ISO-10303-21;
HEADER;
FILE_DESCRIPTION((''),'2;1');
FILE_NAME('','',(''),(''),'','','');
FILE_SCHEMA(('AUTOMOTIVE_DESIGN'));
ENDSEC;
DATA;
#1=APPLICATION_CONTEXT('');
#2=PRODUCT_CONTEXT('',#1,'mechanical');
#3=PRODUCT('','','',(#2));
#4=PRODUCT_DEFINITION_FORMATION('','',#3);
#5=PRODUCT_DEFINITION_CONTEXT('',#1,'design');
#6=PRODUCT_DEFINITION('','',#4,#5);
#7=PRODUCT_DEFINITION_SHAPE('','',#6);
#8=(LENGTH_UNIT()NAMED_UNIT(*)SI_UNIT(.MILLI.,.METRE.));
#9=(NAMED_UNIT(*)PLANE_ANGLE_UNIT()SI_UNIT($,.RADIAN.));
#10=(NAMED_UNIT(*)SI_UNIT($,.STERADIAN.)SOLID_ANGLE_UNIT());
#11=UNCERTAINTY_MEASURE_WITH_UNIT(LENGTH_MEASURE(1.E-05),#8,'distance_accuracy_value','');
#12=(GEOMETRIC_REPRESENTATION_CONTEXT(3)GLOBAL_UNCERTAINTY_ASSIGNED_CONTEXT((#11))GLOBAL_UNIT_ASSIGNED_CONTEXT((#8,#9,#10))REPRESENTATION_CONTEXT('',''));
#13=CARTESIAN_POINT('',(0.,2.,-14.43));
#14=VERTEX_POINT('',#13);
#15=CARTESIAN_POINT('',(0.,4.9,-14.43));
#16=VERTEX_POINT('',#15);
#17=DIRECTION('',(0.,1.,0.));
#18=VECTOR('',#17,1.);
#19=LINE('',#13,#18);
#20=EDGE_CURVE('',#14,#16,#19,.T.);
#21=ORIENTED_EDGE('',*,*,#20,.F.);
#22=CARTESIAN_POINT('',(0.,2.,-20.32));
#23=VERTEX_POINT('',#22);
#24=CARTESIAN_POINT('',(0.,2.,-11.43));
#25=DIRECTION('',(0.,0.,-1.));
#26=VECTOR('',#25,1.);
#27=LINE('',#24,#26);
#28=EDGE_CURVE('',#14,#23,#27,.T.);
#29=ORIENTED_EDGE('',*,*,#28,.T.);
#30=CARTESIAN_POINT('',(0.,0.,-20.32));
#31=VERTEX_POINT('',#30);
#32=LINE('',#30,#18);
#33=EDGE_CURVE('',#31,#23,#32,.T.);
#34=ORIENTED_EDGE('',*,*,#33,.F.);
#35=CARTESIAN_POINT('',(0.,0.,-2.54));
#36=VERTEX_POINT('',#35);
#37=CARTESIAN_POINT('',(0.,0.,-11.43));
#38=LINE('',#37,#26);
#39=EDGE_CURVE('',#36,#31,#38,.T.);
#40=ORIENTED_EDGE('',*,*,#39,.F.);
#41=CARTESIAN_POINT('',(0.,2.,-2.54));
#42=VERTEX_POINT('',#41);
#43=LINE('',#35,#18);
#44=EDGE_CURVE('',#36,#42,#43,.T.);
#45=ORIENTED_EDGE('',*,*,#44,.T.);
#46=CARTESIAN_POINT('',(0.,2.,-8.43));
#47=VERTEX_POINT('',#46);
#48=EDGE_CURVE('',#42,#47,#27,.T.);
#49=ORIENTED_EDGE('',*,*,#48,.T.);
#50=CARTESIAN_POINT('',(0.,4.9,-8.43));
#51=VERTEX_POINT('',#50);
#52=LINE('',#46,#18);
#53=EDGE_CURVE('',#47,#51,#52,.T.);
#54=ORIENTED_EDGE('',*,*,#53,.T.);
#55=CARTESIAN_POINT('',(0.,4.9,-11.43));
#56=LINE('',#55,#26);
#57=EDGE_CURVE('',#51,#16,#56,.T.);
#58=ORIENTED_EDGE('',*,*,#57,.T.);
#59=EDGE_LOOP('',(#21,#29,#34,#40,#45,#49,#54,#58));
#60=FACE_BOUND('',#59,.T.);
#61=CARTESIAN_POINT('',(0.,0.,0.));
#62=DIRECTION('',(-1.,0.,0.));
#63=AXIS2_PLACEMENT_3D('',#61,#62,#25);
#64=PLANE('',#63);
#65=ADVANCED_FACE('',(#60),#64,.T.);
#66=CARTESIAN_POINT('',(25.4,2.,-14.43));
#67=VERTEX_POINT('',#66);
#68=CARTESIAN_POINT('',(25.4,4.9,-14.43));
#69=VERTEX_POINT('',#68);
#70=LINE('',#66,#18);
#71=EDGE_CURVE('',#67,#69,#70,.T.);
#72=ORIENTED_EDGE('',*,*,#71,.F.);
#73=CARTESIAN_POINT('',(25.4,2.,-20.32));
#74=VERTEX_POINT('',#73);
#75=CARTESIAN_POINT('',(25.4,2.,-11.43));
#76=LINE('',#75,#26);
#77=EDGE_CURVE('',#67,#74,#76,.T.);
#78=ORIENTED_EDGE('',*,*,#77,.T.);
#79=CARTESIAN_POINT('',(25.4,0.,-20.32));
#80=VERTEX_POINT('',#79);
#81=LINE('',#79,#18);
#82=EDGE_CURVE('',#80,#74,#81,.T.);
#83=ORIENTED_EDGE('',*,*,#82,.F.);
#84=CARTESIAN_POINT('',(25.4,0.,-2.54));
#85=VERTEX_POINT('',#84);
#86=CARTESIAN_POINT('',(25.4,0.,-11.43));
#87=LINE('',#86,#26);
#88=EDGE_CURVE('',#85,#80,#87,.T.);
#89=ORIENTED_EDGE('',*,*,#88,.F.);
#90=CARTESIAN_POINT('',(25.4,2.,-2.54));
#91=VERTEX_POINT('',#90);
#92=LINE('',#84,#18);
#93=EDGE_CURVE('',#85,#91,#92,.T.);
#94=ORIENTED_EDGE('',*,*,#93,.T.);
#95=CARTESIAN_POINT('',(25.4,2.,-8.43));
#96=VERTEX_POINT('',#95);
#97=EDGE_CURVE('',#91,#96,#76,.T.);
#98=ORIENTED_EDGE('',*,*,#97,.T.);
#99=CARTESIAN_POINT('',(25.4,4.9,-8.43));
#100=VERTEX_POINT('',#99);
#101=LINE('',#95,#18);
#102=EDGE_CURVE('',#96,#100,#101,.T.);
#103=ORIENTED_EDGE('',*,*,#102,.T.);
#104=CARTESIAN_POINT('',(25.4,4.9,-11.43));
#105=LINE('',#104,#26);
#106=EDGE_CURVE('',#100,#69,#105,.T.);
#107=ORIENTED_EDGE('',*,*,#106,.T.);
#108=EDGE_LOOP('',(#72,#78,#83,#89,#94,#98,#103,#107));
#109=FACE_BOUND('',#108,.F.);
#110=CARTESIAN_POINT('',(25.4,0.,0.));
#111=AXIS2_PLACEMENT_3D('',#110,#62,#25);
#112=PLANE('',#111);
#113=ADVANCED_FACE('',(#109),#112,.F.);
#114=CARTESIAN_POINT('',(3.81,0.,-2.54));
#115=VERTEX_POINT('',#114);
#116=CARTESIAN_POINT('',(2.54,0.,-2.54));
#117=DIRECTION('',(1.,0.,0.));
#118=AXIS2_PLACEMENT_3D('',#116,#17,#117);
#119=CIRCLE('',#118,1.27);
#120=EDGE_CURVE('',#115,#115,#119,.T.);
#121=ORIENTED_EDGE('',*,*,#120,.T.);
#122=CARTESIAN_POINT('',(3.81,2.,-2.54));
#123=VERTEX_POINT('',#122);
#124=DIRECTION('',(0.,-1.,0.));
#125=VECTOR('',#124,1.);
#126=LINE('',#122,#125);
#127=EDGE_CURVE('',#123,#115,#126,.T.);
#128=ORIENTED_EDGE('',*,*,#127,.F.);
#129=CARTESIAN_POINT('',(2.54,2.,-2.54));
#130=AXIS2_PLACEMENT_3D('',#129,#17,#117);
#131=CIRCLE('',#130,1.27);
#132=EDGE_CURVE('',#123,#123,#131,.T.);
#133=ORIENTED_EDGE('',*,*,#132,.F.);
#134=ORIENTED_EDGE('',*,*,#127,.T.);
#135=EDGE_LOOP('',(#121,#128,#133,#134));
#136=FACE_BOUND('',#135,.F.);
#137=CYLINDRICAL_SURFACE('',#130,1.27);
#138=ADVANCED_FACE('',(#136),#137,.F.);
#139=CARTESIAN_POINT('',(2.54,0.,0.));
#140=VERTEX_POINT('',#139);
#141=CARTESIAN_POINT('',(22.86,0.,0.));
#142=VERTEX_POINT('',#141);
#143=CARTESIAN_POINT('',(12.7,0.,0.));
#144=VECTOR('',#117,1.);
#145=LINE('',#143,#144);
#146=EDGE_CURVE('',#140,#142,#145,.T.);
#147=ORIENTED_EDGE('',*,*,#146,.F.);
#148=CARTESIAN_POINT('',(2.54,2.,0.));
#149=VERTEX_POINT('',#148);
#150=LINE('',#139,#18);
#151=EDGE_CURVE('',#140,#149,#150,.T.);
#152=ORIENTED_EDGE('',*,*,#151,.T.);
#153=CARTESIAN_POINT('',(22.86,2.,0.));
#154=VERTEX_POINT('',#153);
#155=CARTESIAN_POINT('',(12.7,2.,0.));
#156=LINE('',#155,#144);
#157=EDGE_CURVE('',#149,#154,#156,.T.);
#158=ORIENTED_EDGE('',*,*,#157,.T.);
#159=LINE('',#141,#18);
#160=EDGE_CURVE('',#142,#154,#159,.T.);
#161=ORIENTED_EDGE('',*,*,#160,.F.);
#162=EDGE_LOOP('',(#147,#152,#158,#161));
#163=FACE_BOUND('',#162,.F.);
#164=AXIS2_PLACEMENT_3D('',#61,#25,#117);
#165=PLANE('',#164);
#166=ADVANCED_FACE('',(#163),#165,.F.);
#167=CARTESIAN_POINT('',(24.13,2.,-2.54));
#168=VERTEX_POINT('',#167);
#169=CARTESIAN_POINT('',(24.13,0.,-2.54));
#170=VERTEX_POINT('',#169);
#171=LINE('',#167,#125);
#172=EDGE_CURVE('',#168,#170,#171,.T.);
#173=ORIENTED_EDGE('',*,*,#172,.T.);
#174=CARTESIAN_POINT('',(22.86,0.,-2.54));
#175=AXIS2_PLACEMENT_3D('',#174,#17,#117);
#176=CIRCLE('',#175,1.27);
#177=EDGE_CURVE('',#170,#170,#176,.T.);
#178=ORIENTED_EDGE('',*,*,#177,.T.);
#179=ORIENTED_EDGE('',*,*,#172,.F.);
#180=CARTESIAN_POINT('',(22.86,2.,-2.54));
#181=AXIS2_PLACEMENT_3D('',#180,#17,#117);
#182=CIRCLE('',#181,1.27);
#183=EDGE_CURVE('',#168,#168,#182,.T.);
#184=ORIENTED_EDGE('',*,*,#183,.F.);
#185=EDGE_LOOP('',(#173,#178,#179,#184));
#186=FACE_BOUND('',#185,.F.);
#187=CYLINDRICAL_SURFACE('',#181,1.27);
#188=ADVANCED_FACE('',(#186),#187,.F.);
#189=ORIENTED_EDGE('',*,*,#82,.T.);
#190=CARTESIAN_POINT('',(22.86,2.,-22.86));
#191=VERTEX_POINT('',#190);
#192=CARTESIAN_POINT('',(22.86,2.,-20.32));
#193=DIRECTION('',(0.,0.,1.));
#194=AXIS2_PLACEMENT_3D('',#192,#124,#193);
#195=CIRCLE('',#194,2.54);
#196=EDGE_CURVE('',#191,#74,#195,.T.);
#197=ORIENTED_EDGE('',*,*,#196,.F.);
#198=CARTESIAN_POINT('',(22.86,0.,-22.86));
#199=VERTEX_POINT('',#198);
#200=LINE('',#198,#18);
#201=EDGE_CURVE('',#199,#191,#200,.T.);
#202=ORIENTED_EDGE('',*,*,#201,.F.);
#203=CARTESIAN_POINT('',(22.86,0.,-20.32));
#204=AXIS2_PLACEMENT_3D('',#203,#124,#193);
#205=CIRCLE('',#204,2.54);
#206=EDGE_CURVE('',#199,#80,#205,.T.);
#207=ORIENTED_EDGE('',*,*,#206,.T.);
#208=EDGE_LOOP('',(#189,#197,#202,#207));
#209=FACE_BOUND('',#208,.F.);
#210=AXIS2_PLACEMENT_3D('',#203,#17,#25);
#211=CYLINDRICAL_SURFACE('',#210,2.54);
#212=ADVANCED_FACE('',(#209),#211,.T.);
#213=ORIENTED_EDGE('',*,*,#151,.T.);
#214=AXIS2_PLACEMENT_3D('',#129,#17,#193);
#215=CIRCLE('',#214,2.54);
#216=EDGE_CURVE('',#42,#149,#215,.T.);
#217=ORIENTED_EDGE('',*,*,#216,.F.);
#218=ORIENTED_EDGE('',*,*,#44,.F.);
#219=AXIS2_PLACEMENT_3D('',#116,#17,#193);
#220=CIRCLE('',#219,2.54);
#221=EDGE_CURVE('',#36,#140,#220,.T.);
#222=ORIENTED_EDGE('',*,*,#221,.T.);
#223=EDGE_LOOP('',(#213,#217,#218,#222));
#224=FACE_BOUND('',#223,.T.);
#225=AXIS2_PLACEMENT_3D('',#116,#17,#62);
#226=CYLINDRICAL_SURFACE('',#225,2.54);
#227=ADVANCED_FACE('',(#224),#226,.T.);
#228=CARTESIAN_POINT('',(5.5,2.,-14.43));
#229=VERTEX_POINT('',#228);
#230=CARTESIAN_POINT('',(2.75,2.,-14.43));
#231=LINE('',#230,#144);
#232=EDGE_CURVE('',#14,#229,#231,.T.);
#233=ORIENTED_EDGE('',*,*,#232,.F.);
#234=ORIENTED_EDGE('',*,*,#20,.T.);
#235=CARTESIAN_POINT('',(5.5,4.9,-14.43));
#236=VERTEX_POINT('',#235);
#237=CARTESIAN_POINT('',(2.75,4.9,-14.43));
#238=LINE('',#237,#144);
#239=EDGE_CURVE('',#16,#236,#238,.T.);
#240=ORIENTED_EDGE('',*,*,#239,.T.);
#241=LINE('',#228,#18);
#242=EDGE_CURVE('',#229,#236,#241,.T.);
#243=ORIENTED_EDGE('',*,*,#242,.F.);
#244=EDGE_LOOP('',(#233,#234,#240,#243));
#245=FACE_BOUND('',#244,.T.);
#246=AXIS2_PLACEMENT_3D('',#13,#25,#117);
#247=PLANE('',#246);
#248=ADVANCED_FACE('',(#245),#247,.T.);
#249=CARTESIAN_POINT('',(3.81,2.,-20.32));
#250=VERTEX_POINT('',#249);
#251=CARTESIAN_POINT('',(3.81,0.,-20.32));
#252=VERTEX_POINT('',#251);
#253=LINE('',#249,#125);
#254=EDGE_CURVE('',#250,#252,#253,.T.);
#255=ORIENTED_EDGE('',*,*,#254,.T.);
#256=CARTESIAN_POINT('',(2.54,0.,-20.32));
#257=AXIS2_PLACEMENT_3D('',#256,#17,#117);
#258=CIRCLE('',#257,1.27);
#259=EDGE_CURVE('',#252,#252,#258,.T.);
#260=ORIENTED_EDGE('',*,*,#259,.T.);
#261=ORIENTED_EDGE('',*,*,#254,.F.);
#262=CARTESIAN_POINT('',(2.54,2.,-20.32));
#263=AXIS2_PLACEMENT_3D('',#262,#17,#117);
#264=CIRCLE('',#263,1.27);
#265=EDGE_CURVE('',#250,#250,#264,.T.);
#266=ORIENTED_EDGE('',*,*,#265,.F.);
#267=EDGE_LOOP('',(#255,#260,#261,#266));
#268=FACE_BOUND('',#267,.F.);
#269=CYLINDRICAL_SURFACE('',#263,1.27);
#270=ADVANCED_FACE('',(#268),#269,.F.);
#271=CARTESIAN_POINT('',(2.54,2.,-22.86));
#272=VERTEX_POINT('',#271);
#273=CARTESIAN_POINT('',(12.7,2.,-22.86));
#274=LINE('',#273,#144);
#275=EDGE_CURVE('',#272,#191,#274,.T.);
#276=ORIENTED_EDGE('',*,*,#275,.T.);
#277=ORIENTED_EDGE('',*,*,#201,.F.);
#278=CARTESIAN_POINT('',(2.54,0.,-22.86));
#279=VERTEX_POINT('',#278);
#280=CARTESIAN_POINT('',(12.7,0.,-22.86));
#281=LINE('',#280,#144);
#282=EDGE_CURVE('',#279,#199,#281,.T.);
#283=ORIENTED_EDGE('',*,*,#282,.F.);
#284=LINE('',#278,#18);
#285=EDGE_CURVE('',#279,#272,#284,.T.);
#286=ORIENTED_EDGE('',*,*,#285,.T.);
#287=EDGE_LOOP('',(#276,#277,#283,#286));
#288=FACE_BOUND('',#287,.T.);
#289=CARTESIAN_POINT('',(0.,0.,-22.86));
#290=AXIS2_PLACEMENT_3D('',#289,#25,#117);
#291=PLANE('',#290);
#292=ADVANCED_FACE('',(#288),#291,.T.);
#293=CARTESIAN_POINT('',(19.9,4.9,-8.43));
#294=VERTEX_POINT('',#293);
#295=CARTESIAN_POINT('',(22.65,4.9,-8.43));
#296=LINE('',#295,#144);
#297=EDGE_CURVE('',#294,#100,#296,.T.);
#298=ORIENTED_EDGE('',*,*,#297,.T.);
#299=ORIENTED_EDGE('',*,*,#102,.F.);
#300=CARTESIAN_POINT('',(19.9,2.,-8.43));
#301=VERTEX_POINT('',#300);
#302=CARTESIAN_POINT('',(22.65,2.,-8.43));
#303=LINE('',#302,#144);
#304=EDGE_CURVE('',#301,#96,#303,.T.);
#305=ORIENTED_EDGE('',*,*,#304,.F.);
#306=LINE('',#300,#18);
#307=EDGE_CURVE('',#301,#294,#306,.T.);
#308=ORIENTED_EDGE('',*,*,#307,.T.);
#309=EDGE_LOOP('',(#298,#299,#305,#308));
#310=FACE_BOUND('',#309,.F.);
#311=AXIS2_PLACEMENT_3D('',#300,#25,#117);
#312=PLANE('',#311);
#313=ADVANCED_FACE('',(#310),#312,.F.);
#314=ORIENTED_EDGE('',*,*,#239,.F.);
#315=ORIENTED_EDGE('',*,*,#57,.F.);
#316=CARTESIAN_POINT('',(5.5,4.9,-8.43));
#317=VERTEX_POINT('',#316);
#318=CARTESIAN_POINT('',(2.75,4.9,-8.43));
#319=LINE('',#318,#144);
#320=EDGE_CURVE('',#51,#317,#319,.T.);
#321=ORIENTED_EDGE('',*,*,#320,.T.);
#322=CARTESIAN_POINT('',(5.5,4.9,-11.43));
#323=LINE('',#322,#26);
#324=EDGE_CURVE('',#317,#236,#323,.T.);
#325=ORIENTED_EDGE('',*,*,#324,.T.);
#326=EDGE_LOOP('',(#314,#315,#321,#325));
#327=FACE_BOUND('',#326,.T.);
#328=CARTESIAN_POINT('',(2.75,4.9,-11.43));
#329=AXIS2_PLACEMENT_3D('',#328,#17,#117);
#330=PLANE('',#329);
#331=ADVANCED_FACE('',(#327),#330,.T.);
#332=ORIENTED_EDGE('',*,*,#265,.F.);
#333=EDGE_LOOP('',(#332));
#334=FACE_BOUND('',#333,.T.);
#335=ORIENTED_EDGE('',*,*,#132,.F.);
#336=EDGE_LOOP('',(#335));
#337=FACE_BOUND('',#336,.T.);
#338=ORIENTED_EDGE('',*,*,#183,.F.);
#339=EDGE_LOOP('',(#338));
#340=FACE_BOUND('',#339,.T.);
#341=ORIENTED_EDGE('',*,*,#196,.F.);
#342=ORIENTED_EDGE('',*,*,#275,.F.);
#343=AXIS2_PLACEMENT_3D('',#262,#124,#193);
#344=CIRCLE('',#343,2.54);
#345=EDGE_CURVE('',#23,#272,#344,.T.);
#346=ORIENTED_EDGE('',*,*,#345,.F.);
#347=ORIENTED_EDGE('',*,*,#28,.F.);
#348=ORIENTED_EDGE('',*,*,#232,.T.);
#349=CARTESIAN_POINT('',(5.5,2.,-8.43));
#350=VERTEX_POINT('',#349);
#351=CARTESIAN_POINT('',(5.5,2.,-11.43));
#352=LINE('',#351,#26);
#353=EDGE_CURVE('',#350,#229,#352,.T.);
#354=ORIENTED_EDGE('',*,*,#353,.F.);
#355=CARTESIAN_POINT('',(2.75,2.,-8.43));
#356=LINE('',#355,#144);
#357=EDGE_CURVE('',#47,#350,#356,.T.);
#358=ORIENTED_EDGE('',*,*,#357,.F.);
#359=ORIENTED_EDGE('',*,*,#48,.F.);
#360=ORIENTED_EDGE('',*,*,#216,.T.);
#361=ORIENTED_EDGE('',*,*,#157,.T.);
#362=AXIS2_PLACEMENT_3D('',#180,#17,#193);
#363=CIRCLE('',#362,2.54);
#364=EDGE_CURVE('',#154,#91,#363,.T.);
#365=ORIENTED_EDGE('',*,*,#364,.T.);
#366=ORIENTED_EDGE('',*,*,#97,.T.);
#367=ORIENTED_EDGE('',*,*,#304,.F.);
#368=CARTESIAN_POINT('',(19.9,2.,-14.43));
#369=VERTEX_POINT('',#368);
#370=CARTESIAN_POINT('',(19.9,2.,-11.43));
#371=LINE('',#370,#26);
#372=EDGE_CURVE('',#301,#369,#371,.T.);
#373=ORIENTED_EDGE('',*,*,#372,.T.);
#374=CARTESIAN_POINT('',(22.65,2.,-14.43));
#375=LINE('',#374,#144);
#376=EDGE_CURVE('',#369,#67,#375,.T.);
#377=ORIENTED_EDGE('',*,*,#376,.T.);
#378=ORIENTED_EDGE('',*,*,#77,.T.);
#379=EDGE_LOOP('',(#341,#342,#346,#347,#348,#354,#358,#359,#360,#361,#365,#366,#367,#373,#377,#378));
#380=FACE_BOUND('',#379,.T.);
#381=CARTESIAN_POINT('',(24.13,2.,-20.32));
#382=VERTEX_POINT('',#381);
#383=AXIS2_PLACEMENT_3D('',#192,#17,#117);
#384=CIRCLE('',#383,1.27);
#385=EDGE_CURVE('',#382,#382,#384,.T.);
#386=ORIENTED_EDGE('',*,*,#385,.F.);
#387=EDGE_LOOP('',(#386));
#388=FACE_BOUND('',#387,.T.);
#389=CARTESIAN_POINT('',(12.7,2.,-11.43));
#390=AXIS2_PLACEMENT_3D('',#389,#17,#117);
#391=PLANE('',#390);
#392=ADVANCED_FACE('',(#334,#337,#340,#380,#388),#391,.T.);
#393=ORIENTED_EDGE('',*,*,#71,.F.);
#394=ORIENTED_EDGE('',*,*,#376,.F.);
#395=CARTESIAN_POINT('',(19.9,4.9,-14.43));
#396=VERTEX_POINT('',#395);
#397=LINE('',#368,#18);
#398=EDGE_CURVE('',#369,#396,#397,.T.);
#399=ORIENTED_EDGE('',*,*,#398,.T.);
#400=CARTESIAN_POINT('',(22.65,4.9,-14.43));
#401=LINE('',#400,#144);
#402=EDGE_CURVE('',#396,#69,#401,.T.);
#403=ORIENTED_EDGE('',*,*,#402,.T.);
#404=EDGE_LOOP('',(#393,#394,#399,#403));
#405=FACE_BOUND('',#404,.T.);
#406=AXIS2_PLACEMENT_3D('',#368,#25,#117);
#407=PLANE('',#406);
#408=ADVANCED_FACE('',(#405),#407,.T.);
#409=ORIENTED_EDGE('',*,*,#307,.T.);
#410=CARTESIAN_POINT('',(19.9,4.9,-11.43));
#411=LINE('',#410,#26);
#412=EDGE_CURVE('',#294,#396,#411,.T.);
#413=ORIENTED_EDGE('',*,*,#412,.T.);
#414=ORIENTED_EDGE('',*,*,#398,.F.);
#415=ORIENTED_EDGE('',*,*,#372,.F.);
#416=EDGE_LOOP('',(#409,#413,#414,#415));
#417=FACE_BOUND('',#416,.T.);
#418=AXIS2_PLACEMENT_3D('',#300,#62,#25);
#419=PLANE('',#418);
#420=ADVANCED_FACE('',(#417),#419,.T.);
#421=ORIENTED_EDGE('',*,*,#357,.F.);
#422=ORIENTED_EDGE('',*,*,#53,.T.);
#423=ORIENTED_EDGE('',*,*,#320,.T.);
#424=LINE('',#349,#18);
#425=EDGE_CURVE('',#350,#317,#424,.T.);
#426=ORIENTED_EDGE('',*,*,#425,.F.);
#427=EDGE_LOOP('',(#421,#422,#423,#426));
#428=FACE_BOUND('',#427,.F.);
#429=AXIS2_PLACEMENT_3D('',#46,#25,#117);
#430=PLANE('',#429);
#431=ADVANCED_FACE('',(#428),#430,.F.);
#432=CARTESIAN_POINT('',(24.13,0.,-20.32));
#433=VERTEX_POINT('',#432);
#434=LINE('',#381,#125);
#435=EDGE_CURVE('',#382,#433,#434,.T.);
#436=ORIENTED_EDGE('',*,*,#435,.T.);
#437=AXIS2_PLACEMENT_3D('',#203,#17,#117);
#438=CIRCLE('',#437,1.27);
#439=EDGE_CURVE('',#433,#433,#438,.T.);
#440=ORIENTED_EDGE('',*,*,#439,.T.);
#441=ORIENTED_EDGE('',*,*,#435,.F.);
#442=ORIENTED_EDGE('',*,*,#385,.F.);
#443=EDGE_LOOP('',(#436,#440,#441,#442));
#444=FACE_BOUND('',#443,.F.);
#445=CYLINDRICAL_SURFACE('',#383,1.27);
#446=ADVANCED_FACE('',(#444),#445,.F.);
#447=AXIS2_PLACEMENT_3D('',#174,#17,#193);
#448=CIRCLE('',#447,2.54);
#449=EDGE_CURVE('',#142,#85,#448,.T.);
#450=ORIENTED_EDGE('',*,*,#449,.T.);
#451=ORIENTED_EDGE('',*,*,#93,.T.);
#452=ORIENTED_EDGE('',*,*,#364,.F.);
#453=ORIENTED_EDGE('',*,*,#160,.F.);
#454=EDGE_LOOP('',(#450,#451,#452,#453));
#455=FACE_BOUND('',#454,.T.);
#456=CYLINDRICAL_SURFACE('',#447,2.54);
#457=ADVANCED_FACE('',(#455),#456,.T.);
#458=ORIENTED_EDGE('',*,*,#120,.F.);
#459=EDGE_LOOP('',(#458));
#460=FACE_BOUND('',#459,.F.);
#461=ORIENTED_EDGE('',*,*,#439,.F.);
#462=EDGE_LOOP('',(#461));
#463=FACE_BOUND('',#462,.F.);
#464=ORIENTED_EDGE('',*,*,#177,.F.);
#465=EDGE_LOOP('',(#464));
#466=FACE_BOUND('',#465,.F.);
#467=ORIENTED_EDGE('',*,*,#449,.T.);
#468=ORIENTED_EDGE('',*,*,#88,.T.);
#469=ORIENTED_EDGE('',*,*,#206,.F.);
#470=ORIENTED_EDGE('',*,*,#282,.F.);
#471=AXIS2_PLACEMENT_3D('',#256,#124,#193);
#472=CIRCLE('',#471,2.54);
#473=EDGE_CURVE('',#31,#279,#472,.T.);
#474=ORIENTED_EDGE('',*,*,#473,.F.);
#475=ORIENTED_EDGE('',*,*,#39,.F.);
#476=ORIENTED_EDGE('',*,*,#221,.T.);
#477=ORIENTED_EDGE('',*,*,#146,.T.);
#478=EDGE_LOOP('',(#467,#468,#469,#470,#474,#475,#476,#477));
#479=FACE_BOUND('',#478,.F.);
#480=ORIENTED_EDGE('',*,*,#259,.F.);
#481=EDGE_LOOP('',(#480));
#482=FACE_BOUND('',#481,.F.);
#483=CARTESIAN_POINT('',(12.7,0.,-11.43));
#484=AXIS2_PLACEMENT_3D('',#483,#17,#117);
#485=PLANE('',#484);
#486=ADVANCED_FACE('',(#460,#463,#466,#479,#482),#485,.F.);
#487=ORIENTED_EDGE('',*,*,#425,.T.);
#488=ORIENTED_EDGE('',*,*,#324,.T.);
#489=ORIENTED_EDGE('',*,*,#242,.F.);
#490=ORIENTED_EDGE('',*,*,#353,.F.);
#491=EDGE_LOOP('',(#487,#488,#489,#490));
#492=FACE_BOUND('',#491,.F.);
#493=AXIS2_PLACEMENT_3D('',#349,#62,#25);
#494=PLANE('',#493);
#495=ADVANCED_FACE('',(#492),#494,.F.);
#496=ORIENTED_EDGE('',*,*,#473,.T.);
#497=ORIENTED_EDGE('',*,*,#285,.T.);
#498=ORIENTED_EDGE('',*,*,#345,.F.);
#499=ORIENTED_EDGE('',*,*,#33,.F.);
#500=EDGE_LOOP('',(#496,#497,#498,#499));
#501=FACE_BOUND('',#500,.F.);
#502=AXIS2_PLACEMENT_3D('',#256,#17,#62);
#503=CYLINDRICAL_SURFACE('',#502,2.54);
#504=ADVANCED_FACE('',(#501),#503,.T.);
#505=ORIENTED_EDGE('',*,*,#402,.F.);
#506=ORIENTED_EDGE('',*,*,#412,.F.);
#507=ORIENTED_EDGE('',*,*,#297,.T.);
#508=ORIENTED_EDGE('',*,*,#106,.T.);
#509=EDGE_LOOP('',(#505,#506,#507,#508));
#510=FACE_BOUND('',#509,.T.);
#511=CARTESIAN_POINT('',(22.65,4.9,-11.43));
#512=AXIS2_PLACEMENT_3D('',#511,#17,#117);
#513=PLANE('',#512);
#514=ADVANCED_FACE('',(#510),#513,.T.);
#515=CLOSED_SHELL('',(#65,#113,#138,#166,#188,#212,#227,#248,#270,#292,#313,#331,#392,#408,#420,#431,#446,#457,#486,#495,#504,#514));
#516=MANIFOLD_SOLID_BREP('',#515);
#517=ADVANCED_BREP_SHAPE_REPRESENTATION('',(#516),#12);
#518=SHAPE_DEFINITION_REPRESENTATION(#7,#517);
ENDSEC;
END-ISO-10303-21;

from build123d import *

# Parameters (mm, degrees)
SKETCH2_W           = 25.4
SKETCH2_H           = 22.86
BOSS_EXTRUDE1_DEPTH = 2
SKETCH5_R           = 1.27
CUT_EXTRUDE1_DEPTH  = 3
FILLET1_R           = 2.54
SKETCH6_W           = 5.5
SKETCH6_H           = 6
BOSS_EXTRUDE2_DEPTH = 2.9


with BuildPart() as part:
    # Sketch2 → Boss-Extrude1 (new body)
    with BuildSketch(Plane(origin=(0, 0, 0), x_dir=(1, 0, 0), z_dir=(0, 1, 0))):
        with Locations((12.7, 11.43)):
            Rectangle(SKETCH2_W, SKETCH2_H)
    extrude(amount=BOSS_EXTRUDE1_DEPTH)

    # Sketch5 → Cut-Extrude1 (cut, through all)
    with BuildSketch(Plane(origin=(0, 2, 0), x_dir=(1, 0, 0), z_dir=(0, 1, 0))):
        with Locations((2.54, 2.54)):
            Circle(SKETCH5_R)
        with Locations((22.86, 2.54)):
            Circle(SKETCH5_R)
        with Locations((22.86, 20.32)):
            Circle(SKETCH5_R)
        with Locations((2.54, 20.32)):
            Circle(SKETCH5_R)
    extrude(amount=-CUT_EXTRUDE1_DEPTH, mode=Mode.SUBTRACT)

    # Fillet1
    fillet1_edges = [part.edges().sort_by_distance(p)[0] for p in [
        (0, 1, -22.86),
        (25.4, 1, -22.86),
        (25.4, 1, 0),
        (0, 1, 0),
    ]]
    fillet(fillet1_edges, radius=FILLET1_R)

    # Sketch6 → Boss-Extrude2 (add)
    with BuildSketch(Plane(origin=(0, 2, 0), x_dir=(1, 0, 0), z_dir=(0, 1, 0))):
        with Locations((2.75, 11.43)):
            Rectangle(SKETCH6_W, SKETCH6_H)
        with Locations((22.65, 11.43)):
            Rectangle(SKETCH6_W, SKETCH6_H)
    extrude(amount=BOSS_EXTRUDE2_DEPTH)


solid = part.part
